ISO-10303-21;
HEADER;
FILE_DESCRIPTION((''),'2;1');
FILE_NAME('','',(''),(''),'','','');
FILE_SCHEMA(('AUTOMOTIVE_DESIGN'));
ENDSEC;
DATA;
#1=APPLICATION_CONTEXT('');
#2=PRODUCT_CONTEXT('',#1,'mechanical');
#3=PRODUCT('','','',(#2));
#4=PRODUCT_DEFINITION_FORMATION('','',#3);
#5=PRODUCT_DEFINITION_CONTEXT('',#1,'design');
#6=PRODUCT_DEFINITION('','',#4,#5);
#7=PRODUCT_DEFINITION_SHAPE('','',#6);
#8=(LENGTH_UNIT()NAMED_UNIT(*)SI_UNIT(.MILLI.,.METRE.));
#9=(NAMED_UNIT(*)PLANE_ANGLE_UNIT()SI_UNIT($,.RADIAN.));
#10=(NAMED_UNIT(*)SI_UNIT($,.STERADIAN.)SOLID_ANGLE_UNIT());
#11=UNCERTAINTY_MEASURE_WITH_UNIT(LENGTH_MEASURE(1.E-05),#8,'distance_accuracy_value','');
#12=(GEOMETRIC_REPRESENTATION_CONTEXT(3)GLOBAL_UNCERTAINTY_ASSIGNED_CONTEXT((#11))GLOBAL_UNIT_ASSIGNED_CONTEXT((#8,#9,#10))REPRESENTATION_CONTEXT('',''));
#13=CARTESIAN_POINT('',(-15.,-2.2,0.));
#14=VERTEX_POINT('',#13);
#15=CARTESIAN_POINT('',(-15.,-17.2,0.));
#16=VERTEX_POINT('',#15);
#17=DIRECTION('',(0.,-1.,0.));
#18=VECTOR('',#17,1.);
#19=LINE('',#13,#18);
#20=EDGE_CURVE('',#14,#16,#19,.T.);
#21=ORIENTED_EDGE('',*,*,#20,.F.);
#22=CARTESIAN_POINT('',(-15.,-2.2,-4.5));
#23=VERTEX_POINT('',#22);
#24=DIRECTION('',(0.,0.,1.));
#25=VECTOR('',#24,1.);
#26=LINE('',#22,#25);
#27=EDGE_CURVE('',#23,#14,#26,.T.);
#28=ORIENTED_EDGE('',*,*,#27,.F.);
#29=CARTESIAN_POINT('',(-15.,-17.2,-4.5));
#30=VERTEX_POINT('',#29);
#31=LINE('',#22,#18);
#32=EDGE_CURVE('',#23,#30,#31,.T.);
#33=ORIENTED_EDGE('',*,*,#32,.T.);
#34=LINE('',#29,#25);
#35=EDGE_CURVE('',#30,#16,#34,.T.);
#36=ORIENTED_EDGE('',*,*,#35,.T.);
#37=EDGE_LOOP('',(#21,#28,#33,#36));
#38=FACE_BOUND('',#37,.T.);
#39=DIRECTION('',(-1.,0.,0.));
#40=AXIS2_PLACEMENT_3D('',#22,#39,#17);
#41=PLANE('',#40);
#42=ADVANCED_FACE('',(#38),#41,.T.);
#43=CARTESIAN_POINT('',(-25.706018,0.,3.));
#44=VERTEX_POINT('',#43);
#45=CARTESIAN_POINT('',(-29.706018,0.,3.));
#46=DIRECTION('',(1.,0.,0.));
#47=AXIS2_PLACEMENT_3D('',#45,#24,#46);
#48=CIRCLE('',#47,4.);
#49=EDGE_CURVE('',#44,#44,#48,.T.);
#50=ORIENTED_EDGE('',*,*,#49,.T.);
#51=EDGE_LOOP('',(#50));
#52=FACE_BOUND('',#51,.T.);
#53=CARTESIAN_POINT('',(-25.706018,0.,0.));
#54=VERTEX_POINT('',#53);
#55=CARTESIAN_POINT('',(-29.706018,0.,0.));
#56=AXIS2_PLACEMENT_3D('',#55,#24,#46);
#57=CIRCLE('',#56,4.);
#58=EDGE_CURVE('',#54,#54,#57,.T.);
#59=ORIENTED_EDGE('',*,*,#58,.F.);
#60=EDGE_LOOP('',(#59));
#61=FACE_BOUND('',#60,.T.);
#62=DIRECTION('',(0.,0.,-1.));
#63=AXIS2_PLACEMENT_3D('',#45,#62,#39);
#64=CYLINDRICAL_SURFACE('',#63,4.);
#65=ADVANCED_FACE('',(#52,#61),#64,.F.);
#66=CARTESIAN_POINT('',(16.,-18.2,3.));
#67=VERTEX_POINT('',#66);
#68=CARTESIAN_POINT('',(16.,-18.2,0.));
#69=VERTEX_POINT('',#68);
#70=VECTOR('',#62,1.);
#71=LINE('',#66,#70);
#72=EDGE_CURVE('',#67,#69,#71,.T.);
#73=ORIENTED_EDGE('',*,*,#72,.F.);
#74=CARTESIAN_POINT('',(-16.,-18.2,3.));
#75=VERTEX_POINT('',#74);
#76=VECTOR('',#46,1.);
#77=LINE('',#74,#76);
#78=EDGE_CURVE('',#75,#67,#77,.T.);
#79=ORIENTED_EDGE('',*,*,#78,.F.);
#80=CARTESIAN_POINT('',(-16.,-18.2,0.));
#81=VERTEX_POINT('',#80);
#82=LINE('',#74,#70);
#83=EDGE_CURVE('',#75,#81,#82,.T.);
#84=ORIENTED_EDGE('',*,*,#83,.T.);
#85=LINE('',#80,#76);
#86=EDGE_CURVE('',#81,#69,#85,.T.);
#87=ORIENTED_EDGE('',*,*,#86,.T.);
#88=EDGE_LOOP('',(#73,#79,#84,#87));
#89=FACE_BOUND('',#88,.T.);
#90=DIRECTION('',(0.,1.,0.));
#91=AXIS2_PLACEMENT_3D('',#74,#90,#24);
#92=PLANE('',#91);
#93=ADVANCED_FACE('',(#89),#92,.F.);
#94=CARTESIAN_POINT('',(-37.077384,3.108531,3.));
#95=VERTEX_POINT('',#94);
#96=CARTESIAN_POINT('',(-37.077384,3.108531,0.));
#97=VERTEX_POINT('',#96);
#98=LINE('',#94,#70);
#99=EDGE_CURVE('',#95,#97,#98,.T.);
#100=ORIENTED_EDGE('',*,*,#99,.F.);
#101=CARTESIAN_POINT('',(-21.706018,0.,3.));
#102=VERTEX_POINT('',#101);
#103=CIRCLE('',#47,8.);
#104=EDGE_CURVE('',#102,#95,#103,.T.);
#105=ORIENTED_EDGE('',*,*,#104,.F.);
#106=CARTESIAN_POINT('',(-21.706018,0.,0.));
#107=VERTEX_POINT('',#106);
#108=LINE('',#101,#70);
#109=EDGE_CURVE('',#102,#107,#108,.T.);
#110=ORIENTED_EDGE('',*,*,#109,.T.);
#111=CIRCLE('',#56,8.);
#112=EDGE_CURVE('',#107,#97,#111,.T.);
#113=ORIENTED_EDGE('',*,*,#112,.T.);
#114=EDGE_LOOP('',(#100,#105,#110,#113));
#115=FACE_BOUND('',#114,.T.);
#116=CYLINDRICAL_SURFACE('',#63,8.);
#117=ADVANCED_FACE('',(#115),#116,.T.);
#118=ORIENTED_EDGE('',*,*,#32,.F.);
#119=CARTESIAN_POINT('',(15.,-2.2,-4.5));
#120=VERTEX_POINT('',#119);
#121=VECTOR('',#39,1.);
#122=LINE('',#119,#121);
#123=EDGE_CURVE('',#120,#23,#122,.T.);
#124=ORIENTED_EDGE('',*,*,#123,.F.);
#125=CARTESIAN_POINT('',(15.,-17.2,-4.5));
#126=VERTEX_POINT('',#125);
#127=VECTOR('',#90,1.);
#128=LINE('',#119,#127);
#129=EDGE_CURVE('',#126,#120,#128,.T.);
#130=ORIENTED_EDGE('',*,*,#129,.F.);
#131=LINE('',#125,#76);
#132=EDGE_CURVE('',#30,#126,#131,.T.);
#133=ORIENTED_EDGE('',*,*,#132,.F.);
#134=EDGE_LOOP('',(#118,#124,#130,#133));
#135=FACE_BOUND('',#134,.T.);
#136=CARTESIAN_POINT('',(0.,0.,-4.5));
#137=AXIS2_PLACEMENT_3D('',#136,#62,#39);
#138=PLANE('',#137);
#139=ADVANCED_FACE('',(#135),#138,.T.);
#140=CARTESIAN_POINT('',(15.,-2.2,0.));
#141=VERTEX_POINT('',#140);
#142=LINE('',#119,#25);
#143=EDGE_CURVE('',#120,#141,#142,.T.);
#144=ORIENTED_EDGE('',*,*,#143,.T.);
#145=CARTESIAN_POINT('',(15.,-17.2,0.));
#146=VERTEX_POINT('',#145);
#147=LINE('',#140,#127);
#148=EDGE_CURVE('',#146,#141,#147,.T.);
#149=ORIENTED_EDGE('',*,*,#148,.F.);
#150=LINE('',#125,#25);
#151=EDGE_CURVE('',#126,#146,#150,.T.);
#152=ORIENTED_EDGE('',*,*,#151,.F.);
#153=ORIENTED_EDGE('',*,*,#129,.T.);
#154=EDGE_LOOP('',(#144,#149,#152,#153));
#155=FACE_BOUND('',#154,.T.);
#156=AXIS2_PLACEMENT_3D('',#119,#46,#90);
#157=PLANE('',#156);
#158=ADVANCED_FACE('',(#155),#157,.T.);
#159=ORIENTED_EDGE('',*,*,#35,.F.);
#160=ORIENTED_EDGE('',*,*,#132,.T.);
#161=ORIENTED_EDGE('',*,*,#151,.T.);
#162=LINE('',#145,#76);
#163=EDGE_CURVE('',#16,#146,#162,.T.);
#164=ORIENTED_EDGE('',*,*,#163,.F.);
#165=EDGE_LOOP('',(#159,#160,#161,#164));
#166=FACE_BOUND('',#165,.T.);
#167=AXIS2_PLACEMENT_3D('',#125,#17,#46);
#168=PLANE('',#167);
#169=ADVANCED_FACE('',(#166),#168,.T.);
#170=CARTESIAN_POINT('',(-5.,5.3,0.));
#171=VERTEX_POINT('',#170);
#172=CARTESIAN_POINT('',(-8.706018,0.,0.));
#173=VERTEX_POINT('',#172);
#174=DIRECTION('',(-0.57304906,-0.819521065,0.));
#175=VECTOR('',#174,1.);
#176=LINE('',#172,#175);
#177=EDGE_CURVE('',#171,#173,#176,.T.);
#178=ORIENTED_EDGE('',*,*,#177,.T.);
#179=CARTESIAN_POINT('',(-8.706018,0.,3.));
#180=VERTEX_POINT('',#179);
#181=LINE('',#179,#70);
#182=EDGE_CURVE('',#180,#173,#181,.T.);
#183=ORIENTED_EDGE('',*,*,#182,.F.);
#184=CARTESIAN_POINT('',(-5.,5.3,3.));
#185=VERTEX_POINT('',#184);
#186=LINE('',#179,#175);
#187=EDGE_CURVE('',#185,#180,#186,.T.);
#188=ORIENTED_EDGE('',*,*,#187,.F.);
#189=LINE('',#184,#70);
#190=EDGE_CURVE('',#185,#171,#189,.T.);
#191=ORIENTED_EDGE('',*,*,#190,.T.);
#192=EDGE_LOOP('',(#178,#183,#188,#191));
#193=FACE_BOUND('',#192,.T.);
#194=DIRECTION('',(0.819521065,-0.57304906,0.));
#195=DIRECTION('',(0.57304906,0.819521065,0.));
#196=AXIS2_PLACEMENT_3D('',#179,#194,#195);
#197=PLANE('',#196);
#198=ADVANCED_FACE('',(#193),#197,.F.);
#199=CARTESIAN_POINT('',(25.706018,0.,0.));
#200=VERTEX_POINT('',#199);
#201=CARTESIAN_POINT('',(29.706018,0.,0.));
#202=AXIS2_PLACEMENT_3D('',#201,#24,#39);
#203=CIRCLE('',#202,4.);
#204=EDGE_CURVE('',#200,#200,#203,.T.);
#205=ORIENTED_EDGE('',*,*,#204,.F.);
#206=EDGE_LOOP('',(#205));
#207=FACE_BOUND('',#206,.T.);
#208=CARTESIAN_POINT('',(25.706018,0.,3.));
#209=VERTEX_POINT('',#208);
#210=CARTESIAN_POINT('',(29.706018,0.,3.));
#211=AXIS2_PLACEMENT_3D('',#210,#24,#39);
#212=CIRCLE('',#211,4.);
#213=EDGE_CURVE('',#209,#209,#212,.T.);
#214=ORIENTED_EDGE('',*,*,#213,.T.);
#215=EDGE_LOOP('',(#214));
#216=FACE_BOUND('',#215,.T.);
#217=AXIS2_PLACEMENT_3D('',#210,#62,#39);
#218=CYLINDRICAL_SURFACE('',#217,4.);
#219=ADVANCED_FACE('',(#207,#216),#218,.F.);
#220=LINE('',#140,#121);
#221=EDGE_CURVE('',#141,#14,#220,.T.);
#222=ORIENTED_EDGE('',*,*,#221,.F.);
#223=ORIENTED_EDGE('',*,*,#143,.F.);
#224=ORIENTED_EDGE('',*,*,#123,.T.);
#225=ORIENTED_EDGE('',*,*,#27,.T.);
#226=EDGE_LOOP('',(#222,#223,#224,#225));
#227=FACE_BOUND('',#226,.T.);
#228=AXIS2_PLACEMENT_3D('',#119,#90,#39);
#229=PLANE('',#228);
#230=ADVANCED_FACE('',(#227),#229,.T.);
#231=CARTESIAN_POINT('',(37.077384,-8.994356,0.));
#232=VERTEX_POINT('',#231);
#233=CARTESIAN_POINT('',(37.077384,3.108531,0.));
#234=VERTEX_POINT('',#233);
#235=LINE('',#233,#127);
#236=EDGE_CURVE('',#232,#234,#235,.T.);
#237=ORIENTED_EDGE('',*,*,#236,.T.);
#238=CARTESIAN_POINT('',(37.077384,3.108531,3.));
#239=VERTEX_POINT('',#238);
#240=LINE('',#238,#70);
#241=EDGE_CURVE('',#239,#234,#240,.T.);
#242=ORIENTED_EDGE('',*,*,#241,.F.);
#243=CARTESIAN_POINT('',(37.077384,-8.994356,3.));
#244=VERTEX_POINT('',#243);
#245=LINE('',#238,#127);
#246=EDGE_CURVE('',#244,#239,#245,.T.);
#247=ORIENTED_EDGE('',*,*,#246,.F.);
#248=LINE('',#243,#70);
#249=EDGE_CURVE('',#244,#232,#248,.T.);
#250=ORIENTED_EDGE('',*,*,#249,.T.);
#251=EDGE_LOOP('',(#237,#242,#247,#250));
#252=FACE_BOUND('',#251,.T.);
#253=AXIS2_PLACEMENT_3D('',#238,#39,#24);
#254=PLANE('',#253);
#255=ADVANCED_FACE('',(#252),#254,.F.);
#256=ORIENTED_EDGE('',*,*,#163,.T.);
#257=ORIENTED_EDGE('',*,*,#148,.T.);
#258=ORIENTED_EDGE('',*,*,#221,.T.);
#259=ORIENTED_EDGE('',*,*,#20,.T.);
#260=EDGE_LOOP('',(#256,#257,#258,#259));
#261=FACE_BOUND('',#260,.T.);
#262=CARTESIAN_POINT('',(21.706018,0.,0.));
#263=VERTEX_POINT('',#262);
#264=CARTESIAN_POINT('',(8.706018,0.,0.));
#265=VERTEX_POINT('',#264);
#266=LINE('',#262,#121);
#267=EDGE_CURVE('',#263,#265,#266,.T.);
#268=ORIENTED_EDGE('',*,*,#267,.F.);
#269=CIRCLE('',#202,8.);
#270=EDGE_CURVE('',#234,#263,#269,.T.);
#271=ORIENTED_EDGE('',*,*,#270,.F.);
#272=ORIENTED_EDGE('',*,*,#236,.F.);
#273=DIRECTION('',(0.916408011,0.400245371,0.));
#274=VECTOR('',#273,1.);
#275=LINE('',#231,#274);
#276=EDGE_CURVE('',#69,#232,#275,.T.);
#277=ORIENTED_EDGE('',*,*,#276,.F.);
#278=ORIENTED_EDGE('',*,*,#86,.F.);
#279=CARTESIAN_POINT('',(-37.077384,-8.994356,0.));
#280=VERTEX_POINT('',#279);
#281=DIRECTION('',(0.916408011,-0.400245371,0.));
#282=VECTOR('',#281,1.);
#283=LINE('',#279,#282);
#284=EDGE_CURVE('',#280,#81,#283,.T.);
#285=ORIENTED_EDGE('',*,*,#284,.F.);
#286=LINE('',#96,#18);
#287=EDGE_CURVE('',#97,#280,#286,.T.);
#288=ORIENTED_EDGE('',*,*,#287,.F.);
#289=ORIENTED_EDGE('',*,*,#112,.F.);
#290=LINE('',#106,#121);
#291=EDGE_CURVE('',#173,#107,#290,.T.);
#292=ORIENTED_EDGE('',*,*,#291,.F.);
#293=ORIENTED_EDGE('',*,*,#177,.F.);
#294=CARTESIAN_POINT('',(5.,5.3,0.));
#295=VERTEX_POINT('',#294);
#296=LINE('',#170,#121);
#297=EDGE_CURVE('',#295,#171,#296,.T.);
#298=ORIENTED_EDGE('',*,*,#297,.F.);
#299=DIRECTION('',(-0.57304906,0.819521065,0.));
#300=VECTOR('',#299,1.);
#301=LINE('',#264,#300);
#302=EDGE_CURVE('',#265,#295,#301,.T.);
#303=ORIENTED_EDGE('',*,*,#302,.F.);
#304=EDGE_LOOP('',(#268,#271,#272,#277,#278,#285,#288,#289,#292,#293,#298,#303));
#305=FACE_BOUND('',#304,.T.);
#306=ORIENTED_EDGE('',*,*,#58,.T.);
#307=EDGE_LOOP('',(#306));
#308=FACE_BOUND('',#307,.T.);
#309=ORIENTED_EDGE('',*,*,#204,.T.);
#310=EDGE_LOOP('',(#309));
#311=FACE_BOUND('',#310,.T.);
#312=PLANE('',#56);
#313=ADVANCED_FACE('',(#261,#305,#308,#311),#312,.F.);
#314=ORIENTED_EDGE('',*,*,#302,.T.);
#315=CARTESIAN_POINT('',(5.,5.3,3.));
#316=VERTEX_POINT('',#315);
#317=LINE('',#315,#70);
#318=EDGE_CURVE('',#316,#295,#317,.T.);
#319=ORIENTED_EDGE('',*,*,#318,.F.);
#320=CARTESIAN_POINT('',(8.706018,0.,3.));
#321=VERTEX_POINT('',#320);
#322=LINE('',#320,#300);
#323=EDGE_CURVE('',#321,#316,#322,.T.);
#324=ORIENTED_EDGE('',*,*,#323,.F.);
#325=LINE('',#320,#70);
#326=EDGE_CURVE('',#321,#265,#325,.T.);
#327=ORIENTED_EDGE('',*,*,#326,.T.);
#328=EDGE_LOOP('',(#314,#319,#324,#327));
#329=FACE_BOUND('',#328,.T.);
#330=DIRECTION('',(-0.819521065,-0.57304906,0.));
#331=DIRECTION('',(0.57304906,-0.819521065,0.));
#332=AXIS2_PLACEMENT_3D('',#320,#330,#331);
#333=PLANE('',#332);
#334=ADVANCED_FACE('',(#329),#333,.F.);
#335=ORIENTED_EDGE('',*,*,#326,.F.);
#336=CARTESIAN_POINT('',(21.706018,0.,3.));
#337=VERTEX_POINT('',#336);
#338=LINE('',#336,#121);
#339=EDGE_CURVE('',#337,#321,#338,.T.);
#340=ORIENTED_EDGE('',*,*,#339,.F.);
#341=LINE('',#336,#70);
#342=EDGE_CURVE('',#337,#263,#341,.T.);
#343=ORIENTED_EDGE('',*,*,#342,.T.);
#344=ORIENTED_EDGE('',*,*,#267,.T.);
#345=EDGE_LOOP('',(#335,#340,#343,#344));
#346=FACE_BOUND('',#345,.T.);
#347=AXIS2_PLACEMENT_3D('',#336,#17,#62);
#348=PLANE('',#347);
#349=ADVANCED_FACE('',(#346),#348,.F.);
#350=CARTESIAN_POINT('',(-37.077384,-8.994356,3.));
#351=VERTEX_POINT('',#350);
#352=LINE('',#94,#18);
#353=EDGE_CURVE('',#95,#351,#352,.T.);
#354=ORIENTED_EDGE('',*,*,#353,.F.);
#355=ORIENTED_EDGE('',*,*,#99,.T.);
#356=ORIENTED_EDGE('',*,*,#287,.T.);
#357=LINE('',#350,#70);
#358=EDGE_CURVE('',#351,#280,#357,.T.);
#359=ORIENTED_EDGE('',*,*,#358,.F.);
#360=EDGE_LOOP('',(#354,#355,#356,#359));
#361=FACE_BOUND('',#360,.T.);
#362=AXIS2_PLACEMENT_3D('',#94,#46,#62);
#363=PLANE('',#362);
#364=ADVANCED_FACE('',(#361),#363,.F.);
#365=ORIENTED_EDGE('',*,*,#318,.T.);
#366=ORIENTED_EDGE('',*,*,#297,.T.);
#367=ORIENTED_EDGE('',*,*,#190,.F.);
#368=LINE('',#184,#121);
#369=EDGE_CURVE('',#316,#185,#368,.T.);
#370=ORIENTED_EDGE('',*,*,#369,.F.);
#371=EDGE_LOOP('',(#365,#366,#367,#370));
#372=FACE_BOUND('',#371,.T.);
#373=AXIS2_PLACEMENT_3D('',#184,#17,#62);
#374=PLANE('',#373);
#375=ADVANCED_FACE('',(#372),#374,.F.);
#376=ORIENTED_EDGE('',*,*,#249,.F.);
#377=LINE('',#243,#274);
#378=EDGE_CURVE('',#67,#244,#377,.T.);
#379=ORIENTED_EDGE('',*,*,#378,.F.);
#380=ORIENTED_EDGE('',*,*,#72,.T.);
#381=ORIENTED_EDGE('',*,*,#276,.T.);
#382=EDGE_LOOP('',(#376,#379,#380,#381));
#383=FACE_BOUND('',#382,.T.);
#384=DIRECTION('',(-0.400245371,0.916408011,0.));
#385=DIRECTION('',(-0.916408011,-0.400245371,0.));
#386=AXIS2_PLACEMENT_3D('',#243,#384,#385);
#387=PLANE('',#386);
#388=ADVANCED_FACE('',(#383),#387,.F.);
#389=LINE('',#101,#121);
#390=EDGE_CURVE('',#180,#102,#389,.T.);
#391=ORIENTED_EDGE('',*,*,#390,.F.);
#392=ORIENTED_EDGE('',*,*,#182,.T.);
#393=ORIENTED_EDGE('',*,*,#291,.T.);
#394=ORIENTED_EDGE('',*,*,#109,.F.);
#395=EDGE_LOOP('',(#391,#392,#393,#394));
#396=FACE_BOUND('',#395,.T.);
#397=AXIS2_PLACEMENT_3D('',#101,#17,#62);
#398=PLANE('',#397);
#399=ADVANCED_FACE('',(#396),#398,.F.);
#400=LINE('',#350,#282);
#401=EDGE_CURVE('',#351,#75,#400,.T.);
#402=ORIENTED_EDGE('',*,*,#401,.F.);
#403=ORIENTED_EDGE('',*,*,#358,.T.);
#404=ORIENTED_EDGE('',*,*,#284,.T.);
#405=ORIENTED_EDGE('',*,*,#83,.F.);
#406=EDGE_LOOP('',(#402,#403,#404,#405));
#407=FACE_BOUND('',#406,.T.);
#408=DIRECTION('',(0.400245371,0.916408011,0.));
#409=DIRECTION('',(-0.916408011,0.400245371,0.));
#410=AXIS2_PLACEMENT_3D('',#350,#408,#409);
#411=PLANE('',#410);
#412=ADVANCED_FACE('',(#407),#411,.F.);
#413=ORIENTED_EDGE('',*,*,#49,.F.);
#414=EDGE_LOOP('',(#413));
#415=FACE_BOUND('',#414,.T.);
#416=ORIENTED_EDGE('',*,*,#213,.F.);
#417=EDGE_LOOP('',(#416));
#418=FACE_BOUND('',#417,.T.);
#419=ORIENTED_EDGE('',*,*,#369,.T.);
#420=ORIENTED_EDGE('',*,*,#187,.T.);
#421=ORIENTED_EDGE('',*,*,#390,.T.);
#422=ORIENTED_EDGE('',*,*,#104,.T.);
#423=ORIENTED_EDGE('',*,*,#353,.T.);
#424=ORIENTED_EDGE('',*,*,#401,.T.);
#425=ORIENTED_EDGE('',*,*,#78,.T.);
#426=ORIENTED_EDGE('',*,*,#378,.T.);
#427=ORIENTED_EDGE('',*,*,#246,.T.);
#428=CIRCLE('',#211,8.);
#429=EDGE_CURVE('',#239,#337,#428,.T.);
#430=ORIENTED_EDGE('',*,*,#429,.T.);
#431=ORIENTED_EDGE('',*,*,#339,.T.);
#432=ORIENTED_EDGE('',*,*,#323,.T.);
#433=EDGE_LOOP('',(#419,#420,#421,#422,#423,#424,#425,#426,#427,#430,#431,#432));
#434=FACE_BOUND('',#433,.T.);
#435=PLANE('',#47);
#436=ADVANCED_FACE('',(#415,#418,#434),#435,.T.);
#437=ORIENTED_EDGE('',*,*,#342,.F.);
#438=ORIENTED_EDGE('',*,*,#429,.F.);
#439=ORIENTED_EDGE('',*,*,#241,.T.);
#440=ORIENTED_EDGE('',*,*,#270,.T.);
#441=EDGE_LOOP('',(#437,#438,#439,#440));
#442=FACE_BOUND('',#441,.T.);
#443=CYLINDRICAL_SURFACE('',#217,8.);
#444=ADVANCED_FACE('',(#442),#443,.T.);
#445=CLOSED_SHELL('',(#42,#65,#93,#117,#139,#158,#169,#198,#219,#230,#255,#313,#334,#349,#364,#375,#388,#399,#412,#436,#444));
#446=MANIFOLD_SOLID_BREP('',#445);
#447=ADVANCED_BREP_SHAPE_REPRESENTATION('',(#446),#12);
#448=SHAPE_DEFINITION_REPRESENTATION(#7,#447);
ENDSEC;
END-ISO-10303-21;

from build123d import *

# Parameters (mm, degrees)
SKETCH1_R           = 4
BOSS_EXTRUDE1_DEPTH = 3
SKETCH2_W           = 30
SKETCH2_H           = 15
BOSS_EXTRUDE2_DEPTH = 4.5


with BuildPart() as part:
    # Sketch1 → Boss-Extrude1 (new body)
    with BuildSketch(Plane.XY):
        with BuildLine():
            Line((-21.706018243, 0), (-8.706018243, 0))
            Line((-8.706018243, 0), (-5, 5.3))
            Line((-5, 5.3), (5, 5.3))
            Line((5, 5.3), (8.706018243, 0))
            Line((8.706018243, 0), (21.706018243, 0))
            ThreePointArc((21.706018243, 0), (28.120289405, 7.841266738), (37.077384256, 3.108530697))
            Line((37.077384256, 3.108530697), (37.077384256, -8.994356464))
            Line((37.077384256, -8.994356464), (16, -18.2))
            Line((16, -18.2), (-16, -18.2))
            Line((-16, -18.2), (-37.077384256, -8.994356464))
            Line((-37.077384256, -8.994356464), (-37.077384256, 3.108530697))
            ThreePointArc((-37.077384256, 3.108530697), (-28.120289405, 7.841266738), (-21.706018243, 0))
        make_face()
        with Locations((-29.706018243, 0)):
            Circle(SKETCH1_R, mode=Mode.SUBTRACT)
        with Locations(Location((29.706018243, 0, 0), (0, 0, 180))):
            Circle(SKETCH1_R, mode=Mode.SUBTRACT)
    extrude(amount=BOSS_EXTRUDE1_DEPTH)

    # Sketch2 → Boss-Extrude2 (add)
    with BuildSketch(Plane.XY):
        with Locations((0, -9.7)):
            Rectangle(SKETCH2_W, SKETCH2_H)
    extrude(amount=-BOSS_EXTRUDE2_DEPTH)


solid = part.part
